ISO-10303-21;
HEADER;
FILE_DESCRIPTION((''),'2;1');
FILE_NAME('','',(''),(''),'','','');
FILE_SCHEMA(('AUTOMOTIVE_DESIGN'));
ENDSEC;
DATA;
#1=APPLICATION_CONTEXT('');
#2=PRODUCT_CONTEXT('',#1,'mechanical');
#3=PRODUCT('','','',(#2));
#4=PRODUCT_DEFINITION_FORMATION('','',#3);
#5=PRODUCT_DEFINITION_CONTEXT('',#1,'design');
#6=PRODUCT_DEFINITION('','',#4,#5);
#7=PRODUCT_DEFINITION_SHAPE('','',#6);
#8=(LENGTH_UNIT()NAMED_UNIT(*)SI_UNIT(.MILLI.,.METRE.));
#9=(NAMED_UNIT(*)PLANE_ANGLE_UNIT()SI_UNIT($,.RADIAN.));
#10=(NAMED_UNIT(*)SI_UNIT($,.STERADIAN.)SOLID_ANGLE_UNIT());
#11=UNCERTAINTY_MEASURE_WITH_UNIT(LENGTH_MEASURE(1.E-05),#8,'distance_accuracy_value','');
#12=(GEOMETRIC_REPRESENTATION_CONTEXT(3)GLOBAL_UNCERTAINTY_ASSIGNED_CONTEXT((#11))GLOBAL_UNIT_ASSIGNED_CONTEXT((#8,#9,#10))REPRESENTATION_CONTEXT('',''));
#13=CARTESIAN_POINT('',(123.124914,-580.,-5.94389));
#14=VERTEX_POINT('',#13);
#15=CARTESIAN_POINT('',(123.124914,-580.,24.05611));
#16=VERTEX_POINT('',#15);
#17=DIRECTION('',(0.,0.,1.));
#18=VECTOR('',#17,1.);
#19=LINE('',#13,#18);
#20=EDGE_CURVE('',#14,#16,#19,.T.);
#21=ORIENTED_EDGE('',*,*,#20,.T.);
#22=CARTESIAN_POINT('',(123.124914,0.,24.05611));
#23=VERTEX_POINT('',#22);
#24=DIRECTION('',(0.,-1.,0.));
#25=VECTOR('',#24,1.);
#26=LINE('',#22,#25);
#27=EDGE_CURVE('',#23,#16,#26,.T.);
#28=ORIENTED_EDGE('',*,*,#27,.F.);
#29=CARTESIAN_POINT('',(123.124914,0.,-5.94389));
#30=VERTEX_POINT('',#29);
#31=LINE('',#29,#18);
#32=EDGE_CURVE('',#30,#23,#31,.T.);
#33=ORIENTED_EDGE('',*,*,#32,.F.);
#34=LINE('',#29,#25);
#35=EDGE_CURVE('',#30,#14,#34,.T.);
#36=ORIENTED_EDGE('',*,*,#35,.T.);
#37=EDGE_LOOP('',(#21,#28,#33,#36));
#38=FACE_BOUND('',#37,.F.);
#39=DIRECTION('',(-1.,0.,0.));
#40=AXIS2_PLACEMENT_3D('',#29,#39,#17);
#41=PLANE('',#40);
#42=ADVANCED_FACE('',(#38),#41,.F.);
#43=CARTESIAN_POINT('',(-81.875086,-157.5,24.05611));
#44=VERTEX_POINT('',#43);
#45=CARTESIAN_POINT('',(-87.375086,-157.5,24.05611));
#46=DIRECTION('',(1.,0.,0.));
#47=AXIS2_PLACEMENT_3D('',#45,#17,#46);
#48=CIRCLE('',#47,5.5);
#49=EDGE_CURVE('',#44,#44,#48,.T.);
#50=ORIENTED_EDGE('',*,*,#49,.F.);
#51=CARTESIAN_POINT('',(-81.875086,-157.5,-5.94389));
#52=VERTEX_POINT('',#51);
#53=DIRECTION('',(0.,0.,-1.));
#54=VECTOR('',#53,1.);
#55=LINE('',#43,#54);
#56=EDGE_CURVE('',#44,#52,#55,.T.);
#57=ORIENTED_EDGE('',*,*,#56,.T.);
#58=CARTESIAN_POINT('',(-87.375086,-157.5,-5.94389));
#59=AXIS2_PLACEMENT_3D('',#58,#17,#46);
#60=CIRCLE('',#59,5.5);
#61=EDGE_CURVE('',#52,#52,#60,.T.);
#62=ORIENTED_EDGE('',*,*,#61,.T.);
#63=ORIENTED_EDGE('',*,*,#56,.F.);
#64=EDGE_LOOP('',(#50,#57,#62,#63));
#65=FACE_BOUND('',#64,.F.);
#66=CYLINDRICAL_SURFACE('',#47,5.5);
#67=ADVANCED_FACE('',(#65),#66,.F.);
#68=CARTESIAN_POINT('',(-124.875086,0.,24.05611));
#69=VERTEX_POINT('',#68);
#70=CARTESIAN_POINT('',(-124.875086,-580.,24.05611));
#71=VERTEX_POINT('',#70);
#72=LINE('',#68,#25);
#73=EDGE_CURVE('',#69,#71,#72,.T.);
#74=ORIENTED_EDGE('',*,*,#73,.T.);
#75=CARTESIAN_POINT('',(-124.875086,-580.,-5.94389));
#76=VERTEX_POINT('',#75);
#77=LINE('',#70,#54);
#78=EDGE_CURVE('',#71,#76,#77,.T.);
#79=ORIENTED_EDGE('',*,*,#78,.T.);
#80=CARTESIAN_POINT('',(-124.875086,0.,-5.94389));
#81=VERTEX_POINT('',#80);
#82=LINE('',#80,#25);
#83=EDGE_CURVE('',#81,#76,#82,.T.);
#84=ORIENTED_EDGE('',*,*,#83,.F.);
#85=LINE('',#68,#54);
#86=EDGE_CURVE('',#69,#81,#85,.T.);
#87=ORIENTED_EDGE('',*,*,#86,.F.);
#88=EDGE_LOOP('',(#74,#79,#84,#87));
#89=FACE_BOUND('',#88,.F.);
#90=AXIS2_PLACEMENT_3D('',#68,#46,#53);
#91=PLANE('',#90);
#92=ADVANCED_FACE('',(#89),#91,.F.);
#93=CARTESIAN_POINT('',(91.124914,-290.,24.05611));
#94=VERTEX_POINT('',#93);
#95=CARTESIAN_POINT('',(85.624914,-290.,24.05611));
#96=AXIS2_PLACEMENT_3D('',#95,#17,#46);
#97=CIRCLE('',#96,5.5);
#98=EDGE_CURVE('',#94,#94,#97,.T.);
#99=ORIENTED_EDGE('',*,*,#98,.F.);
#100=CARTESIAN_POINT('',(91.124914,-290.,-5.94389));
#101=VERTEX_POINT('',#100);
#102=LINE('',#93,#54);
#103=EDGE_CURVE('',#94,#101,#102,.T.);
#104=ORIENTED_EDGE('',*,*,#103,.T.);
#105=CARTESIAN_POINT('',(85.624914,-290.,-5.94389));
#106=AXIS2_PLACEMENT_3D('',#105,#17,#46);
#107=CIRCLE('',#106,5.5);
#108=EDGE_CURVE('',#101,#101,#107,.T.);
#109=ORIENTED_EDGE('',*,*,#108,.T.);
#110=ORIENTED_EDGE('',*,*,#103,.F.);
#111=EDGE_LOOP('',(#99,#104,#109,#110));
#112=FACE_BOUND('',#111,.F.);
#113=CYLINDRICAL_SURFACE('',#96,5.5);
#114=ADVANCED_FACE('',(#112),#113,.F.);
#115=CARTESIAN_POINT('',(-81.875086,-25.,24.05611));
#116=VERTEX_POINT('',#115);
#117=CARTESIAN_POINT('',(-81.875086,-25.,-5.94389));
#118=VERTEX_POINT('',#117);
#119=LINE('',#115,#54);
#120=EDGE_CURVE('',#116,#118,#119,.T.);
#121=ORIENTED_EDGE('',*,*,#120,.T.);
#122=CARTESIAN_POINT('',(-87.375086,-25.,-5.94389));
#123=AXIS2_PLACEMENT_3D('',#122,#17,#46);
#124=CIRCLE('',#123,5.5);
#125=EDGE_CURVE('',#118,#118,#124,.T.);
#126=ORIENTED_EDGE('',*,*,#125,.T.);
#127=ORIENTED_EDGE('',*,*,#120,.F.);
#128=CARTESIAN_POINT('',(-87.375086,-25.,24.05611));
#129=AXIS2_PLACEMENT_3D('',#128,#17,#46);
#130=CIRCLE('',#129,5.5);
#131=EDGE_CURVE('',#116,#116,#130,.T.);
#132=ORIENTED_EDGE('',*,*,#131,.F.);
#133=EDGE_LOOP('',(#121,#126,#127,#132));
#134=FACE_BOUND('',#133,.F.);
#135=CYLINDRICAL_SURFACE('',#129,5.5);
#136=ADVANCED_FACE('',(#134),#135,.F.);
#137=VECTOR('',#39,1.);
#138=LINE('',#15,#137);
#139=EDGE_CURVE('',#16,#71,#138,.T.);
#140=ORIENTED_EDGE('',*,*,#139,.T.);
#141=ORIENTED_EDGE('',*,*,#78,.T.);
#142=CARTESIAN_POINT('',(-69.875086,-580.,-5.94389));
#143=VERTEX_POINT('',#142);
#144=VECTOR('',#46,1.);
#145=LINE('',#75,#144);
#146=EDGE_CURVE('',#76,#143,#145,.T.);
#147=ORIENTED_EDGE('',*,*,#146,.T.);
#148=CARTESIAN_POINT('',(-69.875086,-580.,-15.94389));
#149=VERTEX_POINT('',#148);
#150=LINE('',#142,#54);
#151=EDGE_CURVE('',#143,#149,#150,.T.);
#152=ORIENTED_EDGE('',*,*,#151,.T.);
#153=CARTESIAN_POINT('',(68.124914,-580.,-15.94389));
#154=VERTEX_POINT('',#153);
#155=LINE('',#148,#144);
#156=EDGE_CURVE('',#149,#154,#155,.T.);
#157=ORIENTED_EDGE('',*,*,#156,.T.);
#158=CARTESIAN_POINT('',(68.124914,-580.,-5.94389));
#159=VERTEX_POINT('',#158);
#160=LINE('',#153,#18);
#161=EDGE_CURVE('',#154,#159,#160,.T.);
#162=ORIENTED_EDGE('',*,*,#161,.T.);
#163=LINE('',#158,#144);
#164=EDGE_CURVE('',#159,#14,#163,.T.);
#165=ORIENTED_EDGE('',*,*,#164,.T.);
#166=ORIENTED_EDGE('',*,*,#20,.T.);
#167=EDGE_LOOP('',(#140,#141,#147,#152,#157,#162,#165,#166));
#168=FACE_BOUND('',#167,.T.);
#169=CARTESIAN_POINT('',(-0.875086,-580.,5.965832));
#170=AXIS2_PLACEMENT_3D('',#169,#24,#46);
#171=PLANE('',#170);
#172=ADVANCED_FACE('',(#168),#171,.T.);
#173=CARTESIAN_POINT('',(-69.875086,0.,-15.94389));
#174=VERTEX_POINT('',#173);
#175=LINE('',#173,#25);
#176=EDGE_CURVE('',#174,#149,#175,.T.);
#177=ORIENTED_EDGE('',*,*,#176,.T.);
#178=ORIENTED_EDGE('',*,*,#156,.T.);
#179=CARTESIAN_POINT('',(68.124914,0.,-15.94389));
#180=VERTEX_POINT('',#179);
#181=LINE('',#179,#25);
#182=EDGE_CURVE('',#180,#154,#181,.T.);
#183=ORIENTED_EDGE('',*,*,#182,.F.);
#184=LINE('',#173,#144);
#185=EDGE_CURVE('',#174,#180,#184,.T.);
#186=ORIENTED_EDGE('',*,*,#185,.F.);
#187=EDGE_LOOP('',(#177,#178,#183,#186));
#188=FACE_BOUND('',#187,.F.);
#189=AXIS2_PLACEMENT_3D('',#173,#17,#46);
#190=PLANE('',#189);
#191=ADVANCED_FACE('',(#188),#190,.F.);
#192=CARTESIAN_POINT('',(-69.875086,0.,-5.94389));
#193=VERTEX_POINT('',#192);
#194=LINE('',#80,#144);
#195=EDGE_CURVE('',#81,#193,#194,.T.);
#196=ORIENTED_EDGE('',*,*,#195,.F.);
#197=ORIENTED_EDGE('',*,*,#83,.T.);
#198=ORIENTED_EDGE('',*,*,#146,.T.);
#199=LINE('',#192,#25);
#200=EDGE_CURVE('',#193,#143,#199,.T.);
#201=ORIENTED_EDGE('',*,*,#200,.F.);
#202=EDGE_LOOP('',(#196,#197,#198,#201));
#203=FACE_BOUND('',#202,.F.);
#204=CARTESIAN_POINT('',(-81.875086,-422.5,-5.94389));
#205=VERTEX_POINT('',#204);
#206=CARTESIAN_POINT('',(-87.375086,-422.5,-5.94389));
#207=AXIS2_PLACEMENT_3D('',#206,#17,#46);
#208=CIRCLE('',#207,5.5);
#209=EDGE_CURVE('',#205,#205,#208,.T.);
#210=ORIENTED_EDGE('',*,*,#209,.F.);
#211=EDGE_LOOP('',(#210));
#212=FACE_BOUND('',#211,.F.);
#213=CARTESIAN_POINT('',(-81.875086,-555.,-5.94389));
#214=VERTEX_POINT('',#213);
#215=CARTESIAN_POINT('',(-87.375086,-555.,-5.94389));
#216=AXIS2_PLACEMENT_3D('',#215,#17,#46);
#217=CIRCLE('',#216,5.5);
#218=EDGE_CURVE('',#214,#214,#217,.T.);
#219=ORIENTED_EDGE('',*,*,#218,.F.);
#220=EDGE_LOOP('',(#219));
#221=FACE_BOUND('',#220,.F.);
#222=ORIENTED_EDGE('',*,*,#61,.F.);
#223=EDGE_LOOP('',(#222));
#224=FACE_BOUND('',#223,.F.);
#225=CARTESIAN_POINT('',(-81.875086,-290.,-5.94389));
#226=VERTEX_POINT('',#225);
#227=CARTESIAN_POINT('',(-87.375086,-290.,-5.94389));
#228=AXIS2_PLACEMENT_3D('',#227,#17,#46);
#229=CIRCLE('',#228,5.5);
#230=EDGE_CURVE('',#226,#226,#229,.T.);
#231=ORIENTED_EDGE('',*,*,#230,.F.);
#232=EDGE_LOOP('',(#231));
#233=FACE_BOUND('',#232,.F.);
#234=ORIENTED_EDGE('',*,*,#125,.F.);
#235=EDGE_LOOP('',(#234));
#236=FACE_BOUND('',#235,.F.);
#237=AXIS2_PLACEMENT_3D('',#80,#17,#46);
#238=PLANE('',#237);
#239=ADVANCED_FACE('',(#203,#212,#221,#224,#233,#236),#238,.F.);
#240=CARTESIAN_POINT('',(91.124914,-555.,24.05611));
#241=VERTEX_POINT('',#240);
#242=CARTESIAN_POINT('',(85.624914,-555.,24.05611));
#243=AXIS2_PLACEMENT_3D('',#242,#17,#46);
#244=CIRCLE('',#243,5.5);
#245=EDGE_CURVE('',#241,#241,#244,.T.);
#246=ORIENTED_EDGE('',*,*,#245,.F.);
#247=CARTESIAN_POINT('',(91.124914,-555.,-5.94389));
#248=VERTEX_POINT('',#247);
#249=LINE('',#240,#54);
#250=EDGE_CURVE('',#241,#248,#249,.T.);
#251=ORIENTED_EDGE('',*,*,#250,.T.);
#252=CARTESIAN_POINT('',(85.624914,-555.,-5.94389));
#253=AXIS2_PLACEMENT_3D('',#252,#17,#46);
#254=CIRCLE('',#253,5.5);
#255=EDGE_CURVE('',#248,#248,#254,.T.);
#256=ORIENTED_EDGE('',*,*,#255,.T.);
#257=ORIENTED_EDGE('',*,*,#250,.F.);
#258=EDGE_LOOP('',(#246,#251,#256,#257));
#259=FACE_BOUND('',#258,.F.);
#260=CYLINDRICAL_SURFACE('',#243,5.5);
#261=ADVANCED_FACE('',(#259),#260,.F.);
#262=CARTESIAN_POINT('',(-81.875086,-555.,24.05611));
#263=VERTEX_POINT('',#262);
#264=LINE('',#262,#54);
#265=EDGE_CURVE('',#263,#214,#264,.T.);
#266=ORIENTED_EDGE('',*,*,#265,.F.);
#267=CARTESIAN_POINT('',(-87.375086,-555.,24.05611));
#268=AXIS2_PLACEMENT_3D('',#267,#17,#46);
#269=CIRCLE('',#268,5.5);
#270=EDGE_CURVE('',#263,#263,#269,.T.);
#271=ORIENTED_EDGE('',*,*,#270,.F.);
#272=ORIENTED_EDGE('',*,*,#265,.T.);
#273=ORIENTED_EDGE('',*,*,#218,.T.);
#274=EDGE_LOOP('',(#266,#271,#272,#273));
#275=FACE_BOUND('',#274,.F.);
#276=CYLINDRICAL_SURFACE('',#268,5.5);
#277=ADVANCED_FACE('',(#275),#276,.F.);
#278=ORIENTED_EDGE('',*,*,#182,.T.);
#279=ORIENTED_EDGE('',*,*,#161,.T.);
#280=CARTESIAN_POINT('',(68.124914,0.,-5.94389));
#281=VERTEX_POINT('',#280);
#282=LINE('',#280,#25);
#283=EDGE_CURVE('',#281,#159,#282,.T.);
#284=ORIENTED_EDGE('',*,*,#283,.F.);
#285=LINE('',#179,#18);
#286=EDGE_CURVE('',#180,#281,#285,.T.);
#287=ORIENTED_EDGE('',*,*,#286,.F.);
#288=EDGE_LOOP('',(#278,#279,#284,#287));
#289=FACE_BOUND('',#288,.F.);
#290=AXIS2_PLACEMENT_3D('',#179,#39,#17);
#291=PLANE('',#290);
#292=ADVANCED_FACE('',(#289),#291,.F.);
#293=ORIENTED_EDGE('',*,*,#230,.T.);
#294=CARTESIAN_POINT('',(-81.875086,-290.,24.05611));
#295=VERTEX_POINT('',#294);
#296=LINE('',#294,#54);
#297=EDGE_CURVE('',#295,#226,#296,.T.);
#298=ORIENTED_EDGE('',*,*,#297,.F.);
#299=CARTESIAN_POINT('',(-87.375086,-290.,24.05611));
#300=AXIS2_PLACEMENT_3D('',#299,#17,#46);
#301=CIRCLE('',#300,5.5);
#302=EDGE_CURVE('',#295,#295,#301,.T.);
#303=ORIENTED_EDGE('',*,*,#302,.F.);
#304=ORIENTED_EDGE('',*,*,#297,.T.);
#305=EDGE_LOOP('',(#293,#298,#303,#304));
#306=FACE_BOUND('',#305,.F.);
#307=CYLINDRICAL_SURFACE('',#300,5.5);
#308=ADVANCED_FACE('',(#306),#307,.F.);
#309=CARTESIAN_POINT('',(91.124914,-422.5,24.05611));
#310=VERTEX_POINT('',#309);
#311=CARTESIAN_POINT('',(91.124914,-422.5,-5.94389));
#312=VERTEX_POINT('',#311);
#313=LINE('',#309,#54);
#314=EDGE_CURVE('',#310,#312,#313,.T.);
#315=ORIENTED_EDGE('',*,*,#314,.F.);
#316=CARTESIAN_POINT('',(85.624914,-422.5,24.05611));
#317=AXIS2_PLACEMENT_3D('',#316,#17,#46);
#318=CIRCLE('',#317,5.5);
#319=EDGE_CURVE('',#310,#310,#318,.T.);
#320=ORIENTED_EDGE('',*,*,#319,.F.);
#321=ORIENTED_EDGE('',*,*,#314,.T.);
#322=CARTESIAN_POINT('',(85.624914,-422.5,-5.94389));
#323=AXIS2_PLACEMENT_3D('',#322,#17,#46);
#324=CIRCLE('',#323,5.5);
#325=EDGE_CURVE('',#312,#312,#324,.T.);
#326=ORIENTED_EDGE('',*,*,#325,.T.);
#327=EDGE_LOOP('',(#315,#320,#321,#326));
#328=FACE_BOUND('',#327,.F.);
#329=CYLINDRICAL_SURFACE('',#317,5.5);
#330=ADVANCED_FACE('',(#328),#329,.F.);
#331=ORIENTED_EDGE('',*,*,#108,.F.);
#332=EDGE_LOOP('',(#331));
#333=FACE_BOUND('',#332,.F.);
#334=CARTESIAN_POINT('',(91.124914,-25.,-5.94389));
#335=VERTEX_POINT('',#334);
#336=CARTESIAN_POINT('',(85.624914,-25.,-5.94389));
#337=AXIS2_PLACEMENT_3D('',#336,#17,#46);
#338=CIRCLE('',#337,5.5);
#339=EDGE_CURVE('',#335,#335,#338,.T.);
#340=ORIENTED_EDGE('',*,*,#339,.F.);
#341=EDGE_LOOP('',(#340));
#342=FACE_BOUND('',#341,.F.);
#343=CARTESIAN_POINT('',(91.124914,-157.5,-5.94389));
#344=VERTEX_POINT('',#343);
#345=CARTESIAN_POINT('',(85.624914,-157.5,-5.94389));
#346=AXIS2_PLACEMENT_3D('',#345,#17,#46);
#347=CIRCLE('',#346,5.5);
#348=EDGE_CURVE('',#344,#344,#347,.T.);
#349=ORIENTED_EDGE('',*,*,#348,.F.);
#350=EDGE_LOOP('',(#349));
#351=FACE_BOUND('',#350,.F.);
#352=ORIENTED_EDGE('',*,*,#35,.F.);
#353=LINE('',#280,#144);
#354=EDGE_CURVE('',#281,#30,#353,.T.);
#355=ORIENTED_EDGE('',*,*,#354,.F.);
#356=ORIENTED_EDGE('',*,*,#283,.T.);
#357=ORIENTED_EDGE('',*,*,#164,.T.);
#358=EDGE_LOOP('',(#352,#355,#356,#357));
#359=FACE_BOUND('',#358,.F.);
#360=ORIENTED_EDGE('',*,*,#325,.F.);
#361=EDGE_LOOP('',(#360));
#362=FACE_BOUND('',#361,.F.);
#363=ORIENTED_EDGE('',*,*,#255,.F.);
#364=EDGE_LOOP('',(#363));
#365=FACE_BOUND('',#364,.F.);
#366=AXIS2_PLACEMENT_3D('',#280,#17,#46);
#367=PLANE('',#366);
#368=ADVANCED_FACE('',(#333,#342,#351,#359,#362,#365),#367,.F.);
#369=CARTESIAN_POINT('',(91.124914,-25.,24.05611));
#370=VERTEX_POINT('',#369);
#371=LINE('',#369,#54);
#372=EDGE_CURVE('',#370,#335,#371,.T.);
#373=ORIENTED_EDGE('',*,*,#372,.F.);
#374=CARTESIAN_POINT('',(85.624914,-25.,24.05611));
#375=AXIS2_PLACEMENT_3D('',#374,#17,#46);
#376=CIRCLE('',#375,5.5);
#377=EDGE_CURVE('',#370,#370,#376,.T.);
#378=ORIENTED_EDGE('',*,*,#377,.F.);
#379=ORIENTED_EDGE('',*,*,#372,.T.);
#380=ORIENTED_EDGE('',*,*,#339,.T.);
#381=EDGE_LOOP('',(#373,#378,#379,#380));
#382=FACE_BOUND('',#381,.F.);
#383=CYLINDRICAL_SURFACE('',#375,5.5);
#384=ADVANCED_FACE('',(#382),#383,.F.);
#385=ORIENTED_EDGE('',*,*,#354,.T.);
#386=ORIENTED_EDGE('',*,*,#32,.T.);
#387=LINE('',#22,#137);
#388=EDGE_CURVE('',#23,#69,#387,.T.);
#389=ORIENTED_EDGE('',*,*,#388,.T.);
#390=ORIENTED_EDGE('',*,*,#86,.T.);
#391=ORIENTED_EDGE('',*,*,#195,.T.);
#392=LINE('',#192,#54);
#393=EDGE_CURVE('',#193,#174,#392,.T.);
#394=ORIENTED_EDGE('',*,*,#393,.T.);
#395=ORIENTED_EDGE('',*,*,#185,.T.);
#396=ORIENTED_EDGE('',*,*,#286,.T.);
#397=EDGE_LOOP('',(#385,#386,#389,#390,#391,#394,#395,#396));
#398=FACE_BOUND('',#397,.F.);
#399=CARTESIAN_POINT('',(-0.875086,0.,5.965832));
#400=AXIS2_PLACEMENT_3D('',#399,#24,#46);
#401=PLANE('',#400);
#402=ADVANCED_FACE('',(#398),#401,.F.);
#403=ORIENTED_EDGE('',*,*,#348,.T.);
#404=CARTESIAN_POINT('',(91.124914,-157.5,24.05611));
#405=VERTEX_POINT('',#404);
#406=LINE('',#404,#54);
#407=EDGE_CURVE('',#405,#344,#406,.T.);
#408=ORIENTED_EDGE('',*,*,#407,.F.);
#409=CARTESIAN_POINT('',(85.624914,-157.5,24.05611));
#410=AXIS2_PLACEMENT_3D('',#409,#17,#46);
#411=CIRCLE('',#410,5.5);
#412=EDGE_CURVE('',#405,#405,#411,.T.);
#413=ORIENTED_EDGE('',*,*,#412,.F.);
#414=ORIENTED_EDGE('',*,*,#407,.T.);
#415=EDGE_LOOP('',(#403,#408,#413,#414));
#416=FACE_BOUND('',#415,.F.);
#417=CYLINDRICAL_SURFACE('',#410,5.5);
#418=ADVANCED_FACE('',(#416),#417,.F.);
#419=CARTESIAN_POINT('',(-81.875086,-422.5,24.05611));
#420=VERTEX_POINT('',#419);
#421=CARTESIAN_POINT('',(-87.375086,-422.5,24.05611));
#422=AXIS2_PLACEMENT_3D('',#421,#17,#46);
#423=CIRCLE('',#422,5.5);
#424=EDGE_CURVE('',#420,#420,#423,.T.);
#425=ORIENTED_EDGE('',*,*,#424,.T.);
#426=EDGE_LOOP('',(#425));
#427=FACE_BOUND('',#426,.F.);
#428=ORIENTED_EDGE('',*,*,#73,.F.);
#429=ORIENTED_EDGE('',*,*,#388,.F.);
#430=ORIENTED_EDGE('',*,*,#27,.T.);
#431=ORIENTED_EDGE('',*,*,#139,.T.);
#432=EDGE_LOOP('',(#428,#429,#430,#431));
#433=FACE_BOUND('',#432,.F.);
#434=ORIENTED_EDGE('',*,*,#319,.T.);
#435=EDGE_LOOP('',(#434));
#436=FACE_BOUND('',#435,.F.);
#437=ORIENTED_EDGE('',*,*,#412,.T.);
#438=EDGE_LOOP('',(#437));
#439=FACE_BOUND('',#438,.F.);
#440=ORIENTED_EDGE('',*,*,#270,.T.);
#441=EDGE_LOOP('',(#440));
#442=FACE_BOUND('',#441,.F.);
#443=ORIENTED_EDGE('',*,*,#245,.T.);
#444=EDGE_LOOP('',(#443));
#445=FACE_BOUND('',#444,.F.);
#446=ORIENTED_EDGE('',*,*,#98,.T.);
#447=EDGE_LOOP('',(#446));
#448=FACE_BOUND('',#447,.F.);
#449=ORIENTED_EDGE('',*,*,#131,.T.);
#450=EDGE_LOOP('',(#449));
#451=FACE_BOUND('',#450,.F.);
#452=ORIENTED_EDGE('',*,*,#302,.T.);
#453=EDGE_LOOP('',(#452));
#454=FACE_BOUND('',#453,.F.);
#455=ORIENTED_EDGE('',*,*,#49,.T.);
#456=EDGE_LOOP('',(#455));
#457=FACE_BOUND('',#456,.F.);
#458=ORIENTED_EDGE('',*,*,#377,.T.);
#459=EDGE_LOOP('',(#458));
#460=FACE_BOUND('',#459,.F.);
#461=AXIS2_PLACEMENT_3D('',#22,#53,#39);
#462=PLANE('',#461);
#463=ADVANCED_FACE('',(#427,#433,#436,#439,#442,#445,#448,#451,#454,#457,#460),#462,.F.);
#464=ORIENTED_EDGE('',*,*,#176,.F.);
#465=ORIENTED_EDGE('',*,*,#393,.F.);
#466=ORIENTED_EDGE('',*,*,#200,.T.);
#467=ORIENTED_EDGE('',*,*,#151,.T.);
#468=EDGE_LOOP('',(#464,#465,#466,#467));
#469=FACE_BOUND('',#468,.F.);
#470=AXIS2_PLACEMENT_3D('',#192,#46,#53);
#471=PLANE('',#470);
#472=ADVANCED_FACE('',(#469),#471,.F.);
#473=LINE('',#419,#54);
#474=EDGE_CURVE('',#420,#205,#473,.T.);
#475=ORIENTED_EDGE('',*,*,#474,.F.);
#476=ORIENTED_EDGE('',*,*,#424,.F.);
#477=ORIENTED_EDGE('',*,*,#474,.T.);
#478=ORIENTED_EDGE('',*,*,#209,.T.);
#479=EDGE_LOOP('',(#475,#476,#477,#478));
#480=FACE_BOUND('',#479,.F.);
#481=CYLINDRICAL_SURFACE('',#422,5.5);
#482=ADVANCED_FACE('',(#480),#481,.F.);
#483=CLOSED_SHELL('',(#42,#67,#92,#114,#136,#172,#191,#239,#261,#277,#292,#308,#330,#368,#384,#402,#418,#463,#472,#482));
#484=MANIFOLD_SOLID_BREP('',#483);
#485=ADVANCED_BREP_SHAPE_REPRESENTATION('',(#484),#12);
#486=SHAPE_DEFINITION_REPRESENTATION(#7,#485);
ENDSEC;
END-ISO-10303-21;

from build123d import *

# Parameters (mm, degrees)
F1_DEPTH = 580
F2_R     = 5.5
F3_DEPTH = 40.001


with BuildPart() as f1:
    # F0 (on Front) → F1 (new body)
    with BuildSketch(Plane.XZ):
        Polygon((123.124914, 24.05611), (-124.875086, 24.05611), (-124.875086, -5.94389), (-69.875086, -5.94389), (-69.875086, -15.94389), (68.124914, -15.94389), (68.124914, -5.94389), (123.124914, -5.94389), align=None)
    extrude(amount=F1_DEPTH)

    # F2 (on face) → F3 (cut, through all)
    with BuildSketch(Plane.XY.offset(24.05611)):
        with Locations((-87.375086, -25)):
            Circle(F2_R)
        with Locations((85.624914, -25)):
            Circle(F2_R)
        with Locations((-87.375086, -157.5)):
            Circle(F2_R)
        with Locations((85.624914, -157.5)):
            Circle(F2_R)
        with Locations((-87.375086, -290)):
            Circle(F2_R)
        with Locations((85.624914, -290)):
            Circle(F2_R)
        with Locations((-87.375086, -422.5)):
            Circle(F2_R)
        with Locations((85.624914, -422.5)):
            Circle(F2_R)
        with Locations((85.624914, -555)):
            Circle(F2_R)
        with Locations((-87.375086, -555)):
            Circle(F2_R)
    extrude(amount=-F3_DEPTH, mode=Mode.SUBTRACT)


solid = f1.part
